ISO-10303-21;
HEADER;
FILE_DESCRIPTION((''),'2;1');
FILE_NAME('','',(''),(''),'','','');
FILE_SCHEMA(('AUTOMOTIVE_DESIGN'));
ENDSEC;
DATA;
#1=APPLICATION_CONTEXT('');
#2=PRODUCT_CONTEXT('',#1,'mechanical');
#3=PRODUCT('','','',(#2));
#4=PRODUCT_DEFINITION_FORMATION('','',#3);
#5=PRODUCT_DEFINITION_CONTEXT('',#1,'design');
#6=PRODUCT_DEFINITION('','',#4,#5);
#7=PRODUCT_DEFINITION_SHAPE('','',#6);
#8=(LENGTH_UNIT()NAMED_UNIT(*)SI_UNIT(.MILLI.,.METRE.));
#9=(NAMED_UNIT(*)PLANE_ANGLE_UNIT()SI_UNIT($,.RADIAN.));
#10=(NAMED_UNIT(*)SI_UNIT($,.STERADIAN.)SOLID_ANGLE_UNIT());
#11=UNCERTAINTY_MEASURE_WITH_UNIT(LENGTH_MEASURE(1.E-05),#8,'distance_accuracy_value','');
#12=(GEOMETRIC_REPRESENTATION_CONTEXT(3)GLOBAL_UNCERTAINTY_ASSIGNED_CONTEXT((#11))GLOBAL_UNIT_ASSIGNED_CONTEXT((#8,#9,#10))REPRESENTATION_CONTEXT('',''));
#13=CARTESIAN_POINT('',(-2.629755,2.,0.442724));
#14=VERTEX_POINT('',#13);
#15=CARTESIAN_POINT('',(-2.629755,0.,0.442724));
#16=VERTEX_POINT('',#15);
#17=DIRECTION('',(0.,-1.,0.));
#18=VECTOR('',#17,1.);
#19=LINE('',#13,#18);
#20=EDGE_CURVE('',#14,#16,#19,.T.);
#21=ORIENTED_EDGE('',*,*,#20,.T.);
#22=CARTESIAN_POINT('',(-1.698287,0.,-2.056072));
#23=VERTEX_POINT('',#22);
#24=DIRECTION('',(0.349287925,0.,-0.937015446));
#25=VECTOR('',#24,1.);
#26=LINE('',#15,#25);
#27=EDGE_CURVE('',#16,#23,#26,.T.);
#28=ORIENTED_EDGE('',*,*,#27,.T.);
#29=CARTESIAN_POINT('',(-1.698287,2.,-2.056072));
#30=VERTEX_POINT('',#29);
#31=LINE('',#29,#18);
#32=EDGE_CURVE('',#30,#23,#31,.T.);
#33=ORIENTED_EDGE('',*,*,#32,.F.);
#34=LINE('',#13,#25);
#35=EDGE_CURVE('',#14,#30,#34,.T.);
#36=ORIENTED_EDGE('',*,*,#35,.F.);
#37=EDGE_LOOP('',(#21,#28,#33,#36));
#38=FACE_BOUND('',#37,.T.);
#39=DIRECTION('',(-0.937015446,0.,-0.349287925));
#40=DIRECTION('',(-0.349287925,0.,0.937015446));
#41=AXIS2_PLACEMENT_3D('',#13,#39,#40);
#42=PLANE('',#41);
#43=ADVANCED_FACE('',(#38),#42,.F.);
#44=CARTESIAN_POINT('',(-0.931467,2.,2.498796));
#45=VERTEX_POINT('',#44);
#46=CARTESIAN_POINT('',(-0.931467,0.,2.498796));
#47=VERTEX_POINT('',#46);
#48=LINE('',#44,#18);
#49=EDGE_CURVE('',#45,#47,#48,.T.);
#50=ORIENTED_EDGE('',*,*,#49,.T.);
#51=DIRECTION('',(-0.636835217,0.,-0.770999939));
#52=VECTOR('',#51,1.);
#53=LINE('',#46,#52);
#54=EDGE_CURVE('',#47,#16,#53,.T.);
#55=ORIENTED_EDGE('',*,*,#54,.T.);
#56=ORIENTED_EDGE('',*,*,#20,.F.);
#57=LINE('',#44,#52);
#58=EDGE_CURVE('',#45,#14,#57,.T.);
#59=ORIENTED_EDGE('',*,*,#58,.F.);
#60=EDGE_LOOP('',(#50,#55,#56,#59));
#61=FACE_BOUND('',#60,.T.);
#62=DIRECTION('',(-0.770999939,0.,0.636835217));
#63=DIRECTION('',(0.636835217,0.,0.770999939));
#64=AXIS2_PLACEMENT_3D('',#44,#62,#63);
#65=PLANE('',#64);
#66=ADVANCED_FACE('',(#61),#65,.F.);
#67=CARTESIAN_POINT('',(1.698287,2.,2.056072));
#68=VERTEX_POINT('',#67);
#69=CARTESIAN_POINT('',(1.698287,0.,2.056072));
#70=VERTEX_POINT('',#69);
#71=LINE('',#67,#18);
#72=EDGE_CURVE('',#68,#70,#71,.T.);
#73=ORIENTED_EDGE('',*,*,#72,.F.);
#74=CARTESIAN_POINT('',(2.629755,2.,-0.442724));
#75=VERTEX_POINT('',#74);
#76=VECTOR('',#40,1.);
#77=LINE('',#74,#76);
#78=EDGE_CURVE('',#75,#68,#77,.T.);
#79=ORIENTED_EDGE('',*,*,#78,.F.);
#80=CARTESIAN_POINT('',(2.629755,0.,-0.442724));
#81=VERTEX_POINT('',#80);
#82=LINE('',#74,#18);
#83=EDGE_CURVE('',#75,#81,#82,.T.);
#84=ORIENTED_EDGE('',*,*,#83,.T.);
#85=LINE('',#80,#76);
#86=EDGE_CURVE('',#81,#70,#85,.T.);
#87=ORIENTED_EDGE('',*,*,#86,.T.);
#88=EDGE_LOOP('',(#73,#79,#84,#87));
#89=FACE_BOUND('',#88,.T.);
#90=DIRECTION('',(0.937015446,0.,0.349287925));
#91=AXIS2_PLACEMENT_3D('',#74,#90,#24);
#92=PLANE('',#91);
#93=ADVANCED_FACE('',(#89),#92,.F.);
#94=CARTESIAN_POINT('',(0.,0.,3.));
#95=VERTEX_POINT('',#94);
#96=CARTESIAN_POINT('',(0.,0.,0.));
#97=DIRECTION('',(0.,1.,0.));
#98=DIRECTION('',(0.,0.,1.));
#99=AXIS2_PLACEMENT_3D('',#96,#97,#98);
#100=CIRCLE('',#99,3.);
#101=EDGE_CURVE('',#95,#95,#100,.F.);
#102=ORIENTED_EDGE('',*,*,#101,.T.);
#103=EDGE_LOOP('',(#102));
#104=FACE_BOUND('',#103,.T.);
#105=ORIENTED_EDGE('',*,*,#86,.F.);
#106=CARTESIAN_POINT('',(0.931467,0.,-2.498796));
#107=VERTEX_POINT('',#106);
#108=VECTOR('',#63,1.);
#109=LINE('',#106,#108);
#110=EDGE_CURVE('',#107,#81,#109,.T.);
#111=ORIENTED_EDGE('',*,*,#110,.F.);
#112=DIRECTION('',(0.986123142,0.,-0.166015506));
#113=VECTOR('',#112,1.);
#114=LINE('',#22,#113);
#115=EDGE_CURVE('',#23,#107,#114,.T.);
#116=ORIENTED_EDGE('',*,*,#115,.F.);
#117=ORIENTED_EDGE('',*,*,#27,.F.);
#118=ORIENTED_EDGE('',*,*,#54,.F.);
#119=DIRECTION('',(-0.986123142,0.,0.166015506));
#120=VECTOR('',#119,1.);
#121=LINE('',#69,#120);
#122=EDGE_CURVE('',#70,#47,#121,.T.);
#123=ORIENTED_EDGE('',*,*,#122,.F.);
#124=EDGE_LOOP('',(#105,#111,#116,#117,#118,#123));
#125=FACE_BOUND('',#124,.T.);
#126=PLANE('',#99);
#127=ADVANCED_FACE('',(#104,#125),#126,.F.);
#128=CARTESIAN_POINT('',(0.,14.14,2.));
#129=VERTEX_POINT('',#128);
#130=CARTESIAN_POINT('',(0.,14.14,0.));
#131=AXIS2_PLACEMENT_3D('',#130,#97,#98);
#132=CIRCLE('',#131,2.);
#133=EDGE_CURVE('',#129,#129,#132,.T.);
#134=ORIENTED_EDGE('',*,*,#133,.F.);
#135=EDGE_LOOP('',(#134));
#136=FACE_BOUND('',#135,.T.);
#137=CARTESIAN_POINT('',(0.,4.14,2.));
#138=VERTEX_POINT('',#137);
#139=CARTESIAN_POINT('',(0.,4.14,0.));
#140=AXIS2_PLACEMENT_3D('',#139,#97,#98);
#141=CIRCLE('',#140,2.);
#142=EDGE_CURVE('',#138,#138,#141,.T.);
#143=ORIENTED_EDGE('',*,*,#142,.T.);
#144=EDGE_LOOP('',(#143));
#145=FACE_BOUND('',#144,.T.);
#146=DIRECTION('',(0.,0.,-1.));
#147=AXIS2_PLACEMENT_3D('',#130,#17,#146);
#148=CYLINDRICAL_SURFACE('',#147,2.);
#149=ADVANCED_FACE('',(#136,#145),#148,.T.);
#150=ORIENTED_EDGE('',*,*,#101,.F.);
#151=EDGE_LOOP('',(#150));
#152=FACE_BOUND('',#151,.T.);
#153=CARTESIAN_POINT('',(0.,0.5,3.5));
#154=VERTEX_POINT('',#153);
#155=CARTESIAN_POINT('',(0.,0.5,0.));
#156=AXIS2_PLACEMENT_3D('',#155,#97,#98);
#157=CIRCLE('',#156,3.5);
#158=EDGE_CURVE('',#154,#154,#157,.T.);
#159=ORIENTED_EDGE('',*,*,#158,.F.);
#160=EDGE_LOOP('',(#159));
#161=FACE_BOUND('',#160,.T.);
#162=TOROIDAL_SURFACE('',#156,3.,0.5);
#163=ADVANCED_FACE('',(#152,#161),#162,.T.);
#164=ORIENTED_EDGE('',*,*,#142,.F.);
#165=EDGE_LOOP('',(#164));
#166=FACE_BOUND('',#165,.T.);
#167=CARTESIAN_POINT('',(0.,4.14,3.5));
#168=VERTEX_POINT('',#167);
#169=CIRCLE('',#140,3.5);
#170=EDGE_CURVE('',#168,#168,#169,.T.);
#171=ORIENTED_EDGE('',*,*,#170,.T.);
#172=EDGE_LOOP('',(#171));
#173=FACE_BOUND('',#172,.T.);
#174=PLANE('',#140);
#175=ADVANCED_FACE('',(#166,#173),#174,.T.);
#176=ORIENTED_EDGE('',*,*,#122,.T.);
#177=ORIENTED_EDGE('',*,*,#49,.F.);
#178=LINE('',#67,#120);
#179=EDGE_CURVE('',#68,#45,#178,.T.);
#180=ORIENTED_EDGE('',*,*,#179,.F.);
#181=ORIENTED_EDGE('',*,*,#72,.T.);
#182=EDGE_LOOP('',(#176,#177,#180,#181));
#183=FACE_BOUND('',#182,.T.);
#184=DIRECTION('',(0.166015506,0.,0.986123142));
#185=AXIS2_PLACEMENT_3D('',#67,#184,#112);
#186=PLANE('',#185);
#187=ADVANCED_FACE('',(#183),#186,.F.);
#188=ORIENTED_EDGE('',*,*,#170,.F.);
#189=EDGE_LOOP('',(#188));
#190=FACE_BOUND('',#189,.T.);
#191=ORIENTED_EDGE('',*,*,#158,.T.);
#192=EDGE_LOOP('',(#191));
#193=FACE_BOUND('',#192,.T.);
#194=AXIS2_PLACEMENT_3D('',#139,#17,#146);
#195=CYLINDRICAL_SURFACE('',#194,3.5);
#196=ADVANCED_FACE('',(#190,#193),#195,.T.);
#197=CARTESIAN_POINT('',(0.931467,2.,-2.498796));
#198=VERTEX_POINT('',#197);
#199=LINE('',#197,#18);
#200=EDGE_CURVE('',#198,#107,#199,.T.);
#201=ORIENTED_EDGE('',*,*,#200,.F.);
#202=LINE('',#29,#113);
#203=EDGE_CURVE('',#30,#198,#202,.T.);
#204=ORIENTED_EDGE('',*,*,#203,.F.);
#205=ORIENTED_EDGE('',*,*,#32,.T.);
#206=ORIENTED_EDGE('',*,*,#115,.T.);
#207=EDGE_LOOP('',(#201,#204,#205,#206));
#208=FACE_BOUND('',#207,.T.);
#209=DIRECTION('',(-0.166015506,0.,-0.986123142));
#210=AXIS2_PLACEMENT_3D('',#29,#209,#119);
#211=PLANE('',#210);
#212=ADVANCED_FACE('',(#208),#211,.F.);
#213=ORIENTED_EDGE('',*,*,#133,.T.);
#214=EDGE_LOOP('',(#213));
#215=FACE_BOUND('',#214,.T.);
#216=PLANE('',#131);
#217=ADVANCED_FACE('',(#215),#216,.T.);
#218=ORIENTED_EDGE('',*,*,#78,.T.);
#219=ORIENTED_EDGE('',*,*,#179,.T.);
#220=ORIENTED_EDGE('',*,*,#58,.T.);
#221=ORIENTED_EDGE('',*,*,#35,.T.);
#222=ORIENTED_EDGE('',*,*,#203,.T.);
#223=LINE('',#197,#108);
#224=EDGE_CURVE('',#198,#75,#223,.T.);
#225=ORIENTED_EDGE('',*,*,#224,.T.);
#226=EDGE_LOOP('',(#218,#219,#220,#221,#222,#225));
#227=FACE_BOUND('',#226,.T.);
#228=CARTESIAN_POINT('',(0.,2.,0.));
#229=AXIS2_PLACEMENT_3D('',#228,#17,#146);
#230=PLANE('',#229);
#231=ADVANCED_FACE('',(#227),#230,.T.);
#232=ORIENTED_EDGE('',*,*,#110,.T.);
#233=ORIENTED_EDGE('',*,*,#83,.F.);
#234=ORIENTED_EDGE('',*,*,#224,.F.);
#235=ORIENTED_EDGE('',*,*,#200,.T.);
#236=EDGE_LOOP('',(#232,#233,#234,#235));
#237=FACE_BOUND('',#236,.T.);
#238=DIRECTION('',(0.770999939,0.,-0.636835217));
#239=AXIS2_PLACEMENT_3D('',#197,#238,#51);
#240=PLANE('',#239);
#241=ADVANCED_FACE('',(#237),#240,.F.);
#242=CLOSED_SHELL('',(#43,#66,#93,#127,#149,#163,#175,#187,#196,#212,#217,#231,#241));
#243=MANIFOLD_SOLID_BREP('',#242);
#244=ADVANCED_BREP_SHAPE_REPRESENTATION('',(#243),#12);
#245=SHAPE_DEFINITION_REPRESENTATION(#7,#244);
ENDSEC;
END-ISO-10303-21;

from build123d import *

# Parameters (mm, degrees)
SKETCH_1_R          = 3.5
EXTRUDE_1_DEPTH     = 4.14
SKETCH_2_R          = 2
EXTRUDE_2_DEPTH     = 10
FILLET_1_R          = 0.5
CUT_EXTRUDE_1_DEPTH = 2


with BuildPart() as part:
    # 草图1 → 凸台-拉伸1 (new body)
    with BuildSketch(Plane(origin=(0, 0, 0), x_dir=(1, 0, 0), z_dir=(0, 1, 0))):
        with Locations(Location((0, 0, 0), (0, 0, 270))):
            Circle(SKETCH_1_R)
    extrude(amount=EXTRUDE_1_DEPTH)

    # 草图2 → 凸台-拉伸2 (add)
    with BuildSketch(Plane(origin=(0, 4.14, 0), x_dir=(1, 0, 0), z_dir=(0, 1, 0))):
        with Locations(Location((0, 0, 0), (0, 0, 270))):
            Circle(SKETCH_2_R)
    extrude(amount=EXTRUDE_2_DEPTH)

    # 圆角1
    fillet_1_edges = [part.edges().sort_by_distance(p)[0] for p in [
        (0, 0, -3.5),
    ]]
    fillet(fillet_1_edges, radius=FILLET_1_R)

    # 草图3 → 切除-拉伸1 (cut)
    with BuildSketch(Plane.XZ):
        Polygon((1.698287208, 2.056072434), (-0.931467356, 2.498796082), (-2.629754564, 0.442723648), (-1.698287208, -2.056072434), (0.931467356, -2.498796082), (2.629754564, -0.442723648), align=None)
    extrude(amount=-CUT_EXTRUDE_1_DEPTH, mode=Mode.SUBTRACT)


solid = part.part
